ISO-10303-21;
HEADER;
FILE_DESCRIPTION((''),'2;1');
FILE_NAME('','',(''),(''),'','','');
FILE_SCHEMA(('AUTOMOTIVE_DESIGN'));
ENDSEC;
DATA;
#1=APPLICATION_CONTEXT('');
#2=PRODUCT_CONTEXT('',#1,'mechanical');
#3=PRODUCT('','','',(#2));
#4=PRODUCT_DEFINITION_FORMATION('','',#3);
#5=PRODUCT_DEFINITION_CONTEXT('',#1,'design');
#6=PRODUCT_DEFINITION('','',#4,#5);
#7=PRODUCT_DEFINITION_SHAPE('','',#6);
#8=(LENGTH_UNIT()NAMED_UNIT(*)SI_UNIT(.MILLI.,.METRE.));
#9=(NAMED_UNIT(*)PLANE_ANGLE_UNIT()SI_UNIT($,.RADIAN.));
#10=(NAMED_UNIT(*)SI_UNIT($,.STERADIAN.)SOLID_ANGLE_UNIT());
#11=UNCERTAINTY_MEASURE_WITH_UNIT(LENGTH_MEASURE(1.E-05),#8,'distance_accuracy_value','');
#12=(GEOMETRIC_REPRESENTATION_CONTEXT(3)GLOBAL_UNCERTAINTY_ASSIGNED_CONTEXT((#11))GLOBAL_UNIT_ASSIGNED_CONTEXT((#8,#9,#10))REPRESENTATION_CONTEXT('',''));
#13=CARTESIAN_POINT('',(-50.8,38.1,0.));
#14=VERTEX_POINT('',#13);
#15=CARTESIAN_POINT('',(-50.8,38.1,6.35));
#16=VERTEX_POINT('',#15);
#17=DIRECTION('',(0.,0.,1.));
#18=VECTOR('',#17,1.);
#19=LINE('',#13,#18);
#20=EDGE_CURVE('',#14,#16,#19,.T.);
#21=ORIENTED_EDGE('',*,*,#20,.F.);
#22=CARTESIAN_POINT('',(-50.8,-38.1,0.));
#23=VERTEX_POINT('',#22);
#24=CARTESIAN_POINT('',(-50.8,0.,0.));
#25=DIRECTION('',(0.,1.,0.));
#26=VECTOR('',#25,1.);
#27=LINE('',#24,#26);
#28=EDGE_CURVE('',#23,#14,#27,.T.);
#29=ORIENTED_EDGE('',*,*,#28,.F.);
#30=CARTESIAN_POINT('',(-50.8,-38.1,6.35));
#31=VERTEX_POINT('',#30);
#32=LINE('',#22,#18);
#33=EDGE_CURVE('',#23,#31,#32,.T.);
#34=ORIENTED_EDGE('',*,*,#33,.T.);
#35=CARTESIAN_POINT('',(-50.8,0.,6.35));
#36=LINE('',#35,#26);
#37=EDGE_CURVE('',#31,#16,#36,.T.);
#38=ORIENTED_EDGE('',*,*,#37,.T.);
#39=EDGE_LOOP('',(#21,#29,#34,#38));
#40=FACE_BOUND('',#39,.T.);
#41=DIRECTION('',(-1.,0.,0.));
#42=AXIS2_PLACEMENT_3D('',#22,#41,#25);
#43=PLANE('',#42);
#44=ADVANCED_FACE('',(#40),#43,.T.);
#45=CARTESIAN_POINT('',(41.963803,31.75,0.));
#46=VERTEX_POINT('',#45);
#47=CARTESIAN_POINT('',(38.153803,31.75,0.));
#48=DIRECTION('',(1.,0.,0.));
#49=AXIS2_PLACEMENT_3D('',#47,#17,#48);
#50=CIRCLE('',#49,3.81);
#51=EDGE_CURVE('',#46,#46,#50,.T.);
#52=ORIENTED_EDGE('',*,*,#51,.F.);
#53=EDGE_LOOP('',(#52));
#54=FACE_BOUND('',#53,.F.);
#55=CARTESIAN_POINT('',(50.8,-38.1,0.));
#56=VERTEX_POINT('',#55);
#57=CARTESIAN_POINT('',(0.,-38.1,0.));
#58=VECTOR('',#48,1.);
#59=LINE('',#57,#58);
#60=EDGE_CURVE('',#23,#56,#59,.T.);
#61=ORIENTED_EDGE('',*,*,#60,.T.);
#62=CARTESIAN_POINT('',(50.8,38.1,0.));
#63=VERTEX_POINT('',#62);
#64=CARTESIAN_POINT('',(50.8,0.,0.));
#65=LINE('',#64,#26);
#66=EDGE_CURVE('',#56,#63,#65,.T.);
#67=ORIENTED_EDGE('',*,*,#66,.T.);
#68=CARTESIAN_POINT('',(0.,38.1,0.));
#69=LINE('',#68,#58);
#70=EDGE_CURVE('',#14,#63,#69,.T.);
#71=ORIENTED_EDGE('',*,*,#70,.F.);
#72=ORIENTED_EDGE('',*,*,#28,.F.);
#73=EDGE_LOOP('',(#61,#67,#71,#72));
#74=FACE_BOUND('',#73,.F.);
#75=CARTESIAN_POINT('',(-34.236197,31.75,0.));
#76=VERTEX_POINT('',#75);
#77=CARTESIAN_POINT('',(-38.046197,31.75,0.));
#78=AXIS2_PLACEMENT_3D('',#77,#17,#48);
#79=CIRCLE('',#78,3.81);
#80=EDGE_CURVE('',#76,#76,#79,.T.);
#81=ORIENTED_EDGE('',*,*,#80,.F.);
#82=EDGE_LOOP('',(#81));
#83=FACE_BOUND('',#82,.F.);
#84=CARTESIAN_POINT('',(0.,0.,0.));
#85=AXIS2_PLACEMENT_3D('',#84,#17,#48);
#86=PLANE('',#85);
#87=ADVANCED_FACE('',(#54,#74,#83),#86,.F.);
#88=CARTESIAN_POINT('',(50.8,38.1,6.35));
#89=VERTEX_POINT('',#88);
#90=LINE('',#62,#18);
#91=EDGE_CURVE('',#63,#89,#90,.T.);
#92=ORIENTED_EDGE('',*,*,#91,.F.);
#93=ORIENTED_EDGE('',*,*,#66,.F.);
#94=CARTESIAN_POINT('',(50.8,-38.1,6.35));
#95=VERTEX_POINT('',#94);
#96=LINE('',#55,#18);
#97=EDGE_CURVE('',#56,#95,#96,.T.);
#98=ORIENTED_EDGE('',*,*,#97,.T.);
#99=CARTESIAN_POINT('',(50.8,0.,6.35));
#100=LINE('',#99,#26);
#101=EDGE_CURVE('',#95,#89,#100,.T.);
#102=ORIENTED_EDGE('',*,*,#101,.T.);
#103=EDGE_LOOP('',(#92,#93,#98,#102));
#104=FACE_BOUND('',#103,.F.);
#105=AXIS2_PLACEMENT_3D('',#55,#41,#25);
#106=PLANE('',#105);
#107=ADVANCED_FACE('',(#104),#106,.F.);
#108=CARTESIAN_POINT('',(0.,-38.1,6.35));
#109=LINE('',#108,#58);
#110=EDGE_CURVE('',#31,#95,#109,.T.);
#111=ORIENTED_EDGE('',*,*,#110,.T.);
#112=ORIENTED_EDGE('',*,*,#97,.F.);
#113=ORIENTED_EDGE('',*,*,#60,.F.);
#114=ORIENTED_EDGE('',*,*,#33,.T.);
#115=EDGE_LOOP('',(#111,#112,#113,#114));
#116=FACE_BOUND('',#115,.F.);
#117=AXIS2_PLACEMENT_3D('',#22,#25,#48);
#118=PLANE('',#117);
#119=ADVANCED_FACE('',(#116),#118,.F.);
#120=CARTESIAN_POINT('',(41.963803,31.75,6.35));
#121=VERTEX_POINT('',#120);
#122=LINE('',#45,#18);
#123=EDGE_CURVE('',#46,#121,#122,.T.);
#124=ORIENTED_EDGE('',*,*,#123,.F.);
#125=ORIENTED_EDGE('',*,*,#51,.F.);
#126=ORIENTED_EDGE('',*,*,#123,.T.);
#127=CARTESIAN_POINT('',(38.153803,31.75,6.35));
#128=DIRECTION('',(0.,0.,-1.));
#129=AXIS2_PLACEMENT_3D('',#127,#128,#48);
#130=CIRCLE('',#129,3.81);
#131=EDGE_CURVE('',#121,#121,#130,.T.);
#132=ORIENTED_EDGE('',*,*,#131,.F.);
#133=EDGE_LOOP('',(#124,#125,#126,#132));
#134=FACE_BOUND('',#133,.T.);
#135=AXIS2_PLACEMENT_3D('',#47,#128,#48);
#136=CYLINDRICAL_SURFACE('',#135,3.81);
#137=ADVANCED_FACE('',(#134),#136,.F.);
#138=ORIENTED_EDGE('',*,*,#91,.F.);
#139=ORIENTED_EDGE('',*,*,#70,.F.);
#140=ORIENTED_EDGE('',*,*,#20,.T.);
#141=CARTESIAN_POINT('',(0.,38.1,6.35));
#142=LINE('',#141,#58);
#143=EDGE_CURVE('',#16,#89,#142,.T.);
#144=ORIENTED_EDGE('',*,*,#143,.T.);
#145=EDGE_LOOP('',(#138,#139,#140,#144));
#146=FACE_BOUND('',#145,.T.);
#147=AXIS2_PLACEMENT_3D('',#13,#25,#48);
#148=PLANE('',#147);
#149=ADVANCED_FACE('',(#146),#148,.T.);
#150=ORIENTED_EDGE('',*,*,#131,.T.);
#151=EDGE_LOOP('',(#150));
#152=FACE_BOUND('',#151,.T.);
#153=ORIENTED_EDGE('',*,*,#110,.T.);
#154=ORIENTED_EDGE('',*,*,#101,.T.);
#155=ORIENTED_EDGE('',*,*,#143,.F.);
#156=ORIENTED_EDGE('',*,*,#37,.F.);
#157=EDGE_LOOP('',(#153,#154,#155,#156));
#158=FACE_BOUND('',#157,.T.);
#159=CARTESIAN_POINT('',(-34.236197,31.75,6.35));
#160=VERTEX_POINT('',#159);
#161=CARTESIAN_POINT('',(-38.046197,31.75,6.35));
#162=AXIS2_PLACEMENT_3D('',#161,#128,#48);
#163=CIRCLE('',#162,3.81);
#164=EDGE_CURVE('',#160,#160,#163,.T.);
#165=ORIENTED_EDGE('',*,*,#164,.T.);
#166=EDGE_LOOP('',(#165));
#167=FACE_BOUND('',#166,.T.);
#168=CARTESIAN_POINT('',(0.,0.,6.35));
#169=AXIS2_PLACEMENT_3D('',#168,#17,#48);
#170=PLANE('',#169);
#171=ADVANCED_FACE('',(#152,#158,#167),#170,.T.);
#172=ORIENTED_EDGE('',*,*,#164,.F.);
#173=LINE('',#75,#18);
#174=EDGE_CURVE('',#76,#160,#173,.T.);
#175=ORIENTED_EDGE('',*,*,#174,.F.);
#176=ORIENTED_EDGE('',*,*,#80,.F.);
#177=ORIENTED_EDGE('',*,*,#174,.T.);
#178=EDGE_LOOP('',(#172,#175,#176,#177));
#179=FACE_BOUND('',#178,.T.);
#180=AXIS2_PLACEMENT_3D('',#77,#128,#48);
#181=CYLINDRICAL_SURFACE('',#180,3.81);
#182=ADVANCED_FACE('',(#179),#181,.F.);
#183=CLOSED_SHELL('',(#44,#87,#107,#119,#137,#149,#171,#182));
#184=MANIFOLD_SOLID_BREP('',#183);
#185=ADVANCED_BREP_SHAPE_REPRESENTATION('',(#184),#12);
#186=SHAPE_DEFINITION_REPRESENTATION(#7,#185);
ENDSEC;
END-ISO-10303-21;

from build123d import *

# Parameters (mm, degrees)
F0_W     = 101.6
F0_H     = 76.2
F2_DEPTH = 6.35
F1_R     = 3.81
F3_DEPTH = 6.351


with BuildPart() as f2:
    # F0 (on Top) → F2 (new body)
    with BuildSketch(Plane.XY):
        Rectangle(F0_W, F0_H)
    extrude(amount=F2_DEPTH)

    # F1 (on Top) → F3 (cut, through all)
    with BuildSketch(Plane.XY):
        with Locations((38.153803, 31.75)):
            Circle(F1_R)
        with Locations((-38.046197, 31.75)):
            Circle(F1_R)
    extrude(amount=F3_DEPTH, mode=Mode.SUBTRACT)


solid = f2.part
